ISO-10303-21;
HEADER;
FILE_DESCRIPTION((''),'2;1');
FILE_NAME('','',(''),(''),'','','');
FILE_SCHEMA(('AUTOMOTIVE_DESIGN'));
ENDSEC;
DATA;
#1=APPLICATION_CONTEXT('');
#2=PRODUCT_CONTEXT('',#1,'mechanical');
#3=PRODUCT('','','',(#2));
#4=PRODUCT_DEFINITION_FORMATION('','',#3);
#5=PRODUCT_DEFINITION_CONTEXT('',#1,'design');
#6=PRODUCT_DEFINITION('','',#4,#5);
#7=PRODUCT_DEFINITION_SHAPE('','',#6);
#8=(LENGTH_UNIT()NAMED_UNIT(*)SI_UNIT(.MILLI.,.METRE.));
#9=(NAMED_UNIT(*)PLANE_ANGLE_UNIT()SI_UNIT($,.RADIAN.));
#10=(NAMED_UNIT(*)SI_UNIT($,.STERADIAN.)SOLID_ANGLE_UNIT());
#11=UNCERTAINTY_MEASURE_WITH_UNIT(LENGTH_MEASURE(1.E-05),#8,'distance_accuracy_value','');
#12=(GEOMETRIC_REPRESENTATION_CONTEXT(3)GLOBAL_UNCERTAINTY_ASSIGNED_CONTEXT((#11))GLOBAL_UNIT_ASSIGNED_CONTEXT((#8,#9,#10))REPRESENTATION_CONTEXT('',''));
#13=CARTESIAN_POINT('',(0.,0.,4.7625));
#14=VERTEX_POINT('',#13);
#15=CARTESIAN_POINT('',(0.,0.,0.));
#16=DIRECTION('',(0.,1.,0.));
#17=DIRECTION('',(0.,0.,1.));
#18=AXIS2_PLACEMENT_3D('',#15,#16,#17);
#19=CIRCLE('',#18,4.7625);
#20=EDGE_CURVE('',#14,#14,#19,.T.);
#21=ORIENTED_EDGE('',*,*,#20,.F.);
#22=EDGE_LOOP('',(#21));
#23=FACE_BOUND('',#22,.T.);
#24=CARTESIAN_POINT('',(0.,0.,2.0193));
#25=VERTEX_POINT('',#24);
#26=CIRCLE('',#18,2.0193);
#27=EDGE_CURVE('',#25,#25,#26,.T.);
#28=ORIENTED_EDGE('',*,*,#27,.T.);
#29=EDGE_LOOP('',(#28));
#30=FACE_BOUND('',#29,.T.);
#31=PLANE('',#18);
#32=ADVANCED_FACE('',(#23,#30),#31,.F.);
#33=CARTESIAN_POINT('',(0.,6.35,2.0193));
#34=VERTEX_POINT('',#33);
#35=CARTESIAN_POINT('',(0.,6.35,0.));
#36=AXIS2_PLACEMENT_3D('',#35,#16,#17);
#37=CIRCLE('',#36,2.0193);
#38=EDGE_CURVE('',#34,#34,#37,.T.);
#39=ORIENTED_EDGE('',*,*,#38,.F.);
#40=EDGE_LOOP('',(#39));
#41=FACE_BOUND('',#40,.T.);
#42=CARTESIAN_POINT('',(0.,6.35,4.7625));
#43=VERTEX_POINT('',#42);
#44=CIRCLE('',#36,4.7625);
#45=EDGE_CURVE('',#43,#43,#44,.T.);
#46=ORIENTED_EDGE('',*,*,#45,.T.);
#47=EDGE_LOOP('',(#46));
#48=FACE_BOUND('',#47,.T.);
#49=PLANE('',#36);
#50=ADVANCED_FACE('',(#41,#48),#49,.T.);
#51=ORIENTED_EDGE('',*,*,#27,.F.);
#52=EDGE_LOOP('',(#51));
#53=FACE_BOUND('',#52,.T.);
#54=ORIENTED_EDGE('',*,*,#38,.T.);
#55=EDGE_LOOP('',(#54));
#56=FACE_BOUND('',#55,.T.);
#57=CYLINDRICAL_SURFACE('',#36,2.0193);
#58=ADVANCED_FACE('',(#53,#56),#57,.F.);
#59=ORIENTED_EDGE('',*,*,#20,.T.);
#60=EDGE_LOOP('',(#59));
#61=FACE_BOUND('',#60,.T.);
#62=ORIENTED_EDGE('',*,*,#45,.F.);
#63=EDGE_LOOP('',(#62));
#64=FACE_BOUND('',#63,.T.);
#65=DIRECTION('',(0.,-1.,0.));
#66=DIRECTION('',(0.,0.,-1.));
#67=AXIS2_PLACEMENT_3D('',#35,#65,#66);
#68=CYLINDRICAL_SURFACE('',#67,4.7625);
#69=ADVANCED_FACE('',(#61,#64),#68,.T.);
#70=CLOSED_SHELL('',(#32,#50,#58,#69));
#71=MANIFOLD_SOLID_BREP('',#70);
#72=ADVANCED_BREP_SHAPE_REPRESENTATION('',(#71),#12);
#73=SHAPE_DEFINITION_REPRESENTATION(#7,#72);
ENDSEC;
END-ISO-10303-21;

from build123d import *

# Parameters (mm, degrees)
SKETCH1_R              = 4.7625
SKETCH1_R_2            = 0.635
BOSS_EXTRUDE1_DEPTH    = 6.35
F_10_32_TAPPED_HOLE1_D = 4.0386


with BuildPart() as part:
    # Sketch1 → Boss-Extrude1 (new body)
    with BuildSketch(Plane(origin=(0, 0, 0), x_dir=(1, 0, 0), z_dir=(0, 1, 0))):
        with Locations(Location((0, 0, 0), (0, 0, 270))):
            Circle(SKETCH1_R)
        with Locations(Location((0, 0, 0), (0, 0, 270))):
            Circle(SKETCH1_R_2, mode=Mode.SUBTRACT)
    extrude(amount=BOSS_EXTRUDE1_DEPTH)

    # #10-32 Tapped Hole1 (through all)
    with Locations(Plane(origin=(0, 6.35, 0), x_dir=(1, 0, 0), z_dir=(0, 1, 0))):
        with Locations((0, 0)):
            Hole(F_10_32_TAPPED_HOLE1_D / 2)


solid = part.part
